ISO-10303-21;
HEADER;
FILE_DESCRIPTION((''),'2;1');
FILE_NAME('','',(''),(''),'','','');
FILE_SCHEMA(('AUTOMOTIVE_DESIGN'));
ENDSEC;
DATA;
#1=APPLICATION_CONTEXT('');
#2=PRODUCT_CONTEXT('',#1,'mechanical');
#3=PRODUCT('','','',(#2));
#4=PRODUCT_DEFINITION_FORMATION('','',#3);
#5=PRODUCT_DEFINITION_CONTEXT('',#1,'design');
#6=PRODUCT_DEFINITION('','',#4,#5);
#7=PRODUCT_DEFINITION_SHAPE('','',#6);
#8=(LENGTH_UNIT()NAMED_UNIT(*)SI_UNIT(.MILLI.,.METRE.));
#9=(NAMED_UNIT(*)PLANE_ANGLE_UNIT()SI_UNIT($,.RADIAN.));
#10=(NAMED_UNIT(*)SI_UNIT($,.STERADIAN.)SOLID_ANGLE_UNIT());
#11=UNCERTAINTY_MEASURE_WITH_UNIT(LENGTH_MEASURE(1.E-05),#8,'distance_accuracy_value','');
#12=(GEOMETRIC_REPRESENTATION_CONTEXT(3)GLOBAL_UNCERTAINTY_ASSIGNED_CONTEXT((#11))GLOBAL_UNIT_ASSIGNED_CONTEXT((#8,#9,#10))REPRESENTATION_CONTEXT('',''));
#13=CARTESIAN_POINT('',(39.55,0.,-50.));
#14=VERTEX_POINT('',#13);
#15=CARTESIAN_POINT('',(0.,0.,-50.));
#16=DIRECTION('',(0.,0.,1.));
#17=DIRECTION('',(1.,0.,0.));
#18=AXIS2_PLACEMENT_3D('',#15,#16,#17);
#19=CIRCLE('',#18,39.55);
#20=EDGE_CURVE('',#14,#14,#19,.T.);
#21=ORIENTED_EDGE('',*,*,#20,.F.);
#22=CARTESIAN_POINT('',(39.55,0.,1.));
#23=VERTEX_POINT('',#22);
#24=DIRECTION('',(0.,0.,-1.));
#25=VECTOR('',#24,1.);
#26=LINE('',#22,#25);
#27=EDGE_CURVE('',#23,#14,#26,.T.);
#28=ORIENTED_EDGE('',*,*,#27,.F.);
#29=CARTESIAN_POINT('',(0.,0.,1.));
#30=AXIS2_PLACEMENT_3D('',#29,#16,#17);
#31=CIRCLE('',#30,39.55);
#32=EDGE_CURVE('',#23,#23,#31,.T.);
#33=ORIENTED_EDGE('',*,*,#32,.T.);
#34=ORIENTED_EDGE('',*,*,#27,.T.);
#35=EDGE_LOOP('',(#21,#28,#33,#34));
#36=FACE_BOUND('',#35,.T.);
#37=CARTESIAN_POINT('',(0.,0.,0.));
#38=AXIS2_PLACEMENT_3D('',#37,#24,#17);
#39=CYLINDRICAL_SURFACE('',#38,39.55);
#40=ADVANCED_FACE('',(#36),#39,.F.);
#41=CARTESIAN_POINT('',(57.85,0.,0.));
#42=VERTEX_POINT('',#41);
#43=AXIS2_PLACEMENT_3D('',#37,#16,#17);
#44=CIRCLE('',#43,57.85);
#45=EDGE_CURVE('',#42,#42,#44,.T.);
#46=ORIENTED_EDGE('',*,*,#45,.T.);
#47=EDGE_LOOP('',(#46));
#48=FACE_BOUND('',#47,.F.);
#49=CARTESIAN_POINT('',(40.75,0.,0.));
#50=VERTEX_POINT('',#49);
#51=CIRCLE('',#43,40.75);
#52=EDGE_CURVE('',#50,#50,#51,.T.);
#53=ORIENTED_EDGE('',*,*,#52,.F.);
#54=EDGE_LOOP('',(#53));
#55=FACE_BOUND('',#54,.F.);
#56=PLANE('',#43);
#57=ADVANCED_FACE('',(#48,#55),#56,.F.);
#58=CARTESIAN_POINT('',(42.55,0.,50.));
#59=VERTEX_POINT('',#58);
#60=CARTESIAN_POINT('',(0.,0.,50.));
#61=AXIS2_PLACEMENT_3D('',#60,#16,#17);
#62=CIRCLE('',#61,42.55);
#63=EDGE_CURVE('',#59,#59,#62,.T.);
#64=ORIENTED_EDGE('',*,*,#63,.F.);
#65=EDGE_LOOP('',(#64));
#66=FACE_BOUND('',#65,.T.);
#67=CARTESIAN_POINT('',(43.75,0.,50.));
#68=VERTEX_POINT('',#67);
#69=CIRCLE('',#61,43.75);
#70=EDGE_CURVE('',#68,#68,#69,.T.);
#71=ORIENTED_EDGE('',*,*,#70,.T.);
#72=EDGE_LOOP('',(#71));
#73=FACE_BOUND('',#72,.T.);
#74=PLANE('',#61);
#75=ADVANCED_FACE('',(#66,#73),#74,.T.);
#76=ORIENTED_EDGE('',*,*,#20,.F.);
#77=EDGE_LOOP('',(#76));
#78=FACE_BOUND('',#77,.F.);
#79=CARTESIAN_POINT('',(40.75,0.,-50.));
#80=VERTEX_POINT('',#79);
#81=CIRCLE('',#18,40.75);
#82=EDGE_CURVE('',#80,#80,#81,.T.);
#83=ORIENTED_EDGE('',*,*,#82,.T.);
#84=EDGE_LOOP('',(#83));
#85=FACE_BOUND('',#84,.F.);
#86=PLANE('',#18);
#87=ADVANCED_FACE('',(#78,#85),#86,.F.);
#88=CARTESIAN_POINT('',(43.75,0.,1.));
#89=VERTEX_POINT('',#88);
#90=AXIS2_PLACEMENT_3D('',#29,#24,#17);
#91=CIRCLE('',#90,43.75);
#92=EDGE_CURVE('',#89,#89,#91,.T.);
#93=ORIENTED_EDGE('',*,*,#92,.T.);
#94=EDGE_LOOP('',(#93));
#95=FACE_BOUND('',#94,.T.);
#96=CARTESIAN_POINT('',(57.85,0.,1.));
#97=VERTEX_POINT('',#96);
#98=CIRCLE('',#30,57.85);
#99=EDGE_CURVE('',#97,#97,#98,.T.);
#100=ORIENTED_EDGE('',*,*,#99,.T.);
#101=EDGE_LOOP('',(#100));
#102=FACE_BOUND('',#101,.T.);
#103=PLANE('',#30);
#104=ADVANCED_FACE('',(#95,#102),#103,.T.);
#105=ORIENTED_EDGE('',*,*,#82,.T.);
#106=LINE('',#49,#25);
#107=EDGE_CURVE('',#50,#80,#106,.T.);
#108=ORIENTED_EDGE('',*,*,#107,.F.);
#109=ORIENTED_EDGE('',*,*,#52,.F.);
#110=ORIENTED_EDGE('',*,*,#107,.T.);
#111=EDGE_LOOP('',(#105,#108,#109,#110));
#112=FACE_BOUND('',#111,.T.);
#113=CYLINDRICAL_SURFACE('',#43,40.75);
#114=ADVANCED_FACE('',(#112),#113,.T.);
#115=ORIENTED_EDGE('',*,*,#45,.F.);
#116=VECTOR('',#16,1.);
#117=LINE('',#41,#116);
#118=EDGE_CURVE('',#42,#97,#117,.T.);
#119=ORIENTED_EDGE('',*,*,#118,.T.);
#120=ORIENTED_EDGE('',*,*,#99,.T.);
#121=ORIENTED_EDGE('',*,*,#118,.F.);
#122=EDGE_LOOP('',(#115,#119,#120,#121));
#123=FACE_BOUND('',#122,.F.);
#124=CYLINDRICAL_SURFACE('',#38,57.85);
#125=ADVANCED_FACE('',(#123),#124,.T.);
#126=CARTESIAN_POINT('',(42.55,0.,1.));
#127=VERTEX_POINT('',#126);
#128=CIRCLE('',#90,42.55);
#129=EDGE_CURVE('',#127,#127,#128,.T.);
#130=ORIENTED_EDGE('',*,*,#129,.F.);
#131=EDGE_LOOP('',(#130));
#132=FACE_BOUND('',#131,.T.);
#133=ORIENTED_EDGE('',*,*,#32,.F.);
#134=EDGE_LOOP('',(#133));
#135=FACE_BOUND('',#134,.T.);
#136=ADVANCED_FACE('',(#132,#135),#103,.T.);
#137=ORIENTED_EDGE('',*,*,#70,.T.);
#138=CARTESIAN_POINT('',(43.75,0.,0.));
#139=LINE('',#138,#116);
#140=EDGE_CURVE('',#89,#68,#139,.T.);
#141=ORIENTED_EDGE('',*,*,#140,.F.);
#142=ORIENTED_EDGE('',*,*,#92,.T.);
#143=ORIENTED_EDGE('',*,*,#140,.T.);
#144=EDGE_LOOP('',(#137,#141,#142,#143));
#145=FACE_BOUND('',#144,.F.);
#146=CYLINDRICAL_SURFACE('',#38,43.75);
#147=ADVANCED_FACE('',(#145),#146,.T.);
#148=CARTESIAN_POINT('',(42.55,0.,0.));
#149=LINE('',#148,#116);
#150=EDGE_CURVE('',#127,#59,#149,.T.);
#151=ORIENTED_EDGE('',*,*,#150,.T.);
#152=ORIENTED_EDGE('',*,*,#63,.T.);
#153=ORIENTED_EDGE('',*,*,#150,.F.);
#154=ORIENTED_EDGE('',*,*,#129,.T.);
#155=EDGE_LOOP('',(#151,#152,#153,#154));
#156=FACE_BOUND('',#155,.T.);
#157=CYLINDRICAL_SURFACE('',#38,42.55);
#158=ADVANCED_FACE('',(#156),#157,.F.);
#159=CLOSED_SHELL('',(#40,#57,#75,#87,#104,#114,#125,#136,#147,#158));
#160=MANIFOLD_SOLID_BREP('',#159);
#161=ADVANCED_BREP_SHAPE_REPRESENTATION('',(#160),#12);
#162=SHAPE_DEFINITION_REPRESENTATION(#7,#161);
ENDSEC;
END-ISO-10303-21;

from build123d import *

# Parameters (mm, degrees)
F0_R     = 40.75
F0_R_2   = 39.55
F1_DEPTH = 50
F0_R_3   = 57.8499995172
F0_R_4   = 43.75
F0_R_5   = 42.55
F2_DEPTH = 1
F3_DEPTH = 50


with BuildPart() as f1:
    # F0 (on Top) → F1 (new body)
    with BuildSketch(Plane.XY):
        Circle(F0_R)
        Circle(F0_R_2, mode=Mode.SUBTRACT)
    extrude(amount=-F1_DEPTH)

    # F0 (on Top) → F2 (join)
    with BuildSketch(Plane.XY):
        Circle(F0_R_3)
        Circle(F0_R_4, mode=Mode.SUBTRACT)
        Circle(F0_R_4)
        Circle(F0_R_5, mode=Mode.SUBTRACT)
        Circle(F0_R_5)
        Circle(F0_R, mode=Mode.SUBTRACT)
        Circle(F0_R)
        Circle(F0_R_2, mode=Mode.SUBTRACT)
    extrude(amount=F2_DEPTH)

    # F0 (on Top) → F3 (join)
    with BuildSketch(Plane.XY):
        Circle(F0_R_4)
        Circle(F0_R_5, mode=Mode.SUBTRACT)
    extrude(amount=F3_DEPTH)


solid = f1.part
